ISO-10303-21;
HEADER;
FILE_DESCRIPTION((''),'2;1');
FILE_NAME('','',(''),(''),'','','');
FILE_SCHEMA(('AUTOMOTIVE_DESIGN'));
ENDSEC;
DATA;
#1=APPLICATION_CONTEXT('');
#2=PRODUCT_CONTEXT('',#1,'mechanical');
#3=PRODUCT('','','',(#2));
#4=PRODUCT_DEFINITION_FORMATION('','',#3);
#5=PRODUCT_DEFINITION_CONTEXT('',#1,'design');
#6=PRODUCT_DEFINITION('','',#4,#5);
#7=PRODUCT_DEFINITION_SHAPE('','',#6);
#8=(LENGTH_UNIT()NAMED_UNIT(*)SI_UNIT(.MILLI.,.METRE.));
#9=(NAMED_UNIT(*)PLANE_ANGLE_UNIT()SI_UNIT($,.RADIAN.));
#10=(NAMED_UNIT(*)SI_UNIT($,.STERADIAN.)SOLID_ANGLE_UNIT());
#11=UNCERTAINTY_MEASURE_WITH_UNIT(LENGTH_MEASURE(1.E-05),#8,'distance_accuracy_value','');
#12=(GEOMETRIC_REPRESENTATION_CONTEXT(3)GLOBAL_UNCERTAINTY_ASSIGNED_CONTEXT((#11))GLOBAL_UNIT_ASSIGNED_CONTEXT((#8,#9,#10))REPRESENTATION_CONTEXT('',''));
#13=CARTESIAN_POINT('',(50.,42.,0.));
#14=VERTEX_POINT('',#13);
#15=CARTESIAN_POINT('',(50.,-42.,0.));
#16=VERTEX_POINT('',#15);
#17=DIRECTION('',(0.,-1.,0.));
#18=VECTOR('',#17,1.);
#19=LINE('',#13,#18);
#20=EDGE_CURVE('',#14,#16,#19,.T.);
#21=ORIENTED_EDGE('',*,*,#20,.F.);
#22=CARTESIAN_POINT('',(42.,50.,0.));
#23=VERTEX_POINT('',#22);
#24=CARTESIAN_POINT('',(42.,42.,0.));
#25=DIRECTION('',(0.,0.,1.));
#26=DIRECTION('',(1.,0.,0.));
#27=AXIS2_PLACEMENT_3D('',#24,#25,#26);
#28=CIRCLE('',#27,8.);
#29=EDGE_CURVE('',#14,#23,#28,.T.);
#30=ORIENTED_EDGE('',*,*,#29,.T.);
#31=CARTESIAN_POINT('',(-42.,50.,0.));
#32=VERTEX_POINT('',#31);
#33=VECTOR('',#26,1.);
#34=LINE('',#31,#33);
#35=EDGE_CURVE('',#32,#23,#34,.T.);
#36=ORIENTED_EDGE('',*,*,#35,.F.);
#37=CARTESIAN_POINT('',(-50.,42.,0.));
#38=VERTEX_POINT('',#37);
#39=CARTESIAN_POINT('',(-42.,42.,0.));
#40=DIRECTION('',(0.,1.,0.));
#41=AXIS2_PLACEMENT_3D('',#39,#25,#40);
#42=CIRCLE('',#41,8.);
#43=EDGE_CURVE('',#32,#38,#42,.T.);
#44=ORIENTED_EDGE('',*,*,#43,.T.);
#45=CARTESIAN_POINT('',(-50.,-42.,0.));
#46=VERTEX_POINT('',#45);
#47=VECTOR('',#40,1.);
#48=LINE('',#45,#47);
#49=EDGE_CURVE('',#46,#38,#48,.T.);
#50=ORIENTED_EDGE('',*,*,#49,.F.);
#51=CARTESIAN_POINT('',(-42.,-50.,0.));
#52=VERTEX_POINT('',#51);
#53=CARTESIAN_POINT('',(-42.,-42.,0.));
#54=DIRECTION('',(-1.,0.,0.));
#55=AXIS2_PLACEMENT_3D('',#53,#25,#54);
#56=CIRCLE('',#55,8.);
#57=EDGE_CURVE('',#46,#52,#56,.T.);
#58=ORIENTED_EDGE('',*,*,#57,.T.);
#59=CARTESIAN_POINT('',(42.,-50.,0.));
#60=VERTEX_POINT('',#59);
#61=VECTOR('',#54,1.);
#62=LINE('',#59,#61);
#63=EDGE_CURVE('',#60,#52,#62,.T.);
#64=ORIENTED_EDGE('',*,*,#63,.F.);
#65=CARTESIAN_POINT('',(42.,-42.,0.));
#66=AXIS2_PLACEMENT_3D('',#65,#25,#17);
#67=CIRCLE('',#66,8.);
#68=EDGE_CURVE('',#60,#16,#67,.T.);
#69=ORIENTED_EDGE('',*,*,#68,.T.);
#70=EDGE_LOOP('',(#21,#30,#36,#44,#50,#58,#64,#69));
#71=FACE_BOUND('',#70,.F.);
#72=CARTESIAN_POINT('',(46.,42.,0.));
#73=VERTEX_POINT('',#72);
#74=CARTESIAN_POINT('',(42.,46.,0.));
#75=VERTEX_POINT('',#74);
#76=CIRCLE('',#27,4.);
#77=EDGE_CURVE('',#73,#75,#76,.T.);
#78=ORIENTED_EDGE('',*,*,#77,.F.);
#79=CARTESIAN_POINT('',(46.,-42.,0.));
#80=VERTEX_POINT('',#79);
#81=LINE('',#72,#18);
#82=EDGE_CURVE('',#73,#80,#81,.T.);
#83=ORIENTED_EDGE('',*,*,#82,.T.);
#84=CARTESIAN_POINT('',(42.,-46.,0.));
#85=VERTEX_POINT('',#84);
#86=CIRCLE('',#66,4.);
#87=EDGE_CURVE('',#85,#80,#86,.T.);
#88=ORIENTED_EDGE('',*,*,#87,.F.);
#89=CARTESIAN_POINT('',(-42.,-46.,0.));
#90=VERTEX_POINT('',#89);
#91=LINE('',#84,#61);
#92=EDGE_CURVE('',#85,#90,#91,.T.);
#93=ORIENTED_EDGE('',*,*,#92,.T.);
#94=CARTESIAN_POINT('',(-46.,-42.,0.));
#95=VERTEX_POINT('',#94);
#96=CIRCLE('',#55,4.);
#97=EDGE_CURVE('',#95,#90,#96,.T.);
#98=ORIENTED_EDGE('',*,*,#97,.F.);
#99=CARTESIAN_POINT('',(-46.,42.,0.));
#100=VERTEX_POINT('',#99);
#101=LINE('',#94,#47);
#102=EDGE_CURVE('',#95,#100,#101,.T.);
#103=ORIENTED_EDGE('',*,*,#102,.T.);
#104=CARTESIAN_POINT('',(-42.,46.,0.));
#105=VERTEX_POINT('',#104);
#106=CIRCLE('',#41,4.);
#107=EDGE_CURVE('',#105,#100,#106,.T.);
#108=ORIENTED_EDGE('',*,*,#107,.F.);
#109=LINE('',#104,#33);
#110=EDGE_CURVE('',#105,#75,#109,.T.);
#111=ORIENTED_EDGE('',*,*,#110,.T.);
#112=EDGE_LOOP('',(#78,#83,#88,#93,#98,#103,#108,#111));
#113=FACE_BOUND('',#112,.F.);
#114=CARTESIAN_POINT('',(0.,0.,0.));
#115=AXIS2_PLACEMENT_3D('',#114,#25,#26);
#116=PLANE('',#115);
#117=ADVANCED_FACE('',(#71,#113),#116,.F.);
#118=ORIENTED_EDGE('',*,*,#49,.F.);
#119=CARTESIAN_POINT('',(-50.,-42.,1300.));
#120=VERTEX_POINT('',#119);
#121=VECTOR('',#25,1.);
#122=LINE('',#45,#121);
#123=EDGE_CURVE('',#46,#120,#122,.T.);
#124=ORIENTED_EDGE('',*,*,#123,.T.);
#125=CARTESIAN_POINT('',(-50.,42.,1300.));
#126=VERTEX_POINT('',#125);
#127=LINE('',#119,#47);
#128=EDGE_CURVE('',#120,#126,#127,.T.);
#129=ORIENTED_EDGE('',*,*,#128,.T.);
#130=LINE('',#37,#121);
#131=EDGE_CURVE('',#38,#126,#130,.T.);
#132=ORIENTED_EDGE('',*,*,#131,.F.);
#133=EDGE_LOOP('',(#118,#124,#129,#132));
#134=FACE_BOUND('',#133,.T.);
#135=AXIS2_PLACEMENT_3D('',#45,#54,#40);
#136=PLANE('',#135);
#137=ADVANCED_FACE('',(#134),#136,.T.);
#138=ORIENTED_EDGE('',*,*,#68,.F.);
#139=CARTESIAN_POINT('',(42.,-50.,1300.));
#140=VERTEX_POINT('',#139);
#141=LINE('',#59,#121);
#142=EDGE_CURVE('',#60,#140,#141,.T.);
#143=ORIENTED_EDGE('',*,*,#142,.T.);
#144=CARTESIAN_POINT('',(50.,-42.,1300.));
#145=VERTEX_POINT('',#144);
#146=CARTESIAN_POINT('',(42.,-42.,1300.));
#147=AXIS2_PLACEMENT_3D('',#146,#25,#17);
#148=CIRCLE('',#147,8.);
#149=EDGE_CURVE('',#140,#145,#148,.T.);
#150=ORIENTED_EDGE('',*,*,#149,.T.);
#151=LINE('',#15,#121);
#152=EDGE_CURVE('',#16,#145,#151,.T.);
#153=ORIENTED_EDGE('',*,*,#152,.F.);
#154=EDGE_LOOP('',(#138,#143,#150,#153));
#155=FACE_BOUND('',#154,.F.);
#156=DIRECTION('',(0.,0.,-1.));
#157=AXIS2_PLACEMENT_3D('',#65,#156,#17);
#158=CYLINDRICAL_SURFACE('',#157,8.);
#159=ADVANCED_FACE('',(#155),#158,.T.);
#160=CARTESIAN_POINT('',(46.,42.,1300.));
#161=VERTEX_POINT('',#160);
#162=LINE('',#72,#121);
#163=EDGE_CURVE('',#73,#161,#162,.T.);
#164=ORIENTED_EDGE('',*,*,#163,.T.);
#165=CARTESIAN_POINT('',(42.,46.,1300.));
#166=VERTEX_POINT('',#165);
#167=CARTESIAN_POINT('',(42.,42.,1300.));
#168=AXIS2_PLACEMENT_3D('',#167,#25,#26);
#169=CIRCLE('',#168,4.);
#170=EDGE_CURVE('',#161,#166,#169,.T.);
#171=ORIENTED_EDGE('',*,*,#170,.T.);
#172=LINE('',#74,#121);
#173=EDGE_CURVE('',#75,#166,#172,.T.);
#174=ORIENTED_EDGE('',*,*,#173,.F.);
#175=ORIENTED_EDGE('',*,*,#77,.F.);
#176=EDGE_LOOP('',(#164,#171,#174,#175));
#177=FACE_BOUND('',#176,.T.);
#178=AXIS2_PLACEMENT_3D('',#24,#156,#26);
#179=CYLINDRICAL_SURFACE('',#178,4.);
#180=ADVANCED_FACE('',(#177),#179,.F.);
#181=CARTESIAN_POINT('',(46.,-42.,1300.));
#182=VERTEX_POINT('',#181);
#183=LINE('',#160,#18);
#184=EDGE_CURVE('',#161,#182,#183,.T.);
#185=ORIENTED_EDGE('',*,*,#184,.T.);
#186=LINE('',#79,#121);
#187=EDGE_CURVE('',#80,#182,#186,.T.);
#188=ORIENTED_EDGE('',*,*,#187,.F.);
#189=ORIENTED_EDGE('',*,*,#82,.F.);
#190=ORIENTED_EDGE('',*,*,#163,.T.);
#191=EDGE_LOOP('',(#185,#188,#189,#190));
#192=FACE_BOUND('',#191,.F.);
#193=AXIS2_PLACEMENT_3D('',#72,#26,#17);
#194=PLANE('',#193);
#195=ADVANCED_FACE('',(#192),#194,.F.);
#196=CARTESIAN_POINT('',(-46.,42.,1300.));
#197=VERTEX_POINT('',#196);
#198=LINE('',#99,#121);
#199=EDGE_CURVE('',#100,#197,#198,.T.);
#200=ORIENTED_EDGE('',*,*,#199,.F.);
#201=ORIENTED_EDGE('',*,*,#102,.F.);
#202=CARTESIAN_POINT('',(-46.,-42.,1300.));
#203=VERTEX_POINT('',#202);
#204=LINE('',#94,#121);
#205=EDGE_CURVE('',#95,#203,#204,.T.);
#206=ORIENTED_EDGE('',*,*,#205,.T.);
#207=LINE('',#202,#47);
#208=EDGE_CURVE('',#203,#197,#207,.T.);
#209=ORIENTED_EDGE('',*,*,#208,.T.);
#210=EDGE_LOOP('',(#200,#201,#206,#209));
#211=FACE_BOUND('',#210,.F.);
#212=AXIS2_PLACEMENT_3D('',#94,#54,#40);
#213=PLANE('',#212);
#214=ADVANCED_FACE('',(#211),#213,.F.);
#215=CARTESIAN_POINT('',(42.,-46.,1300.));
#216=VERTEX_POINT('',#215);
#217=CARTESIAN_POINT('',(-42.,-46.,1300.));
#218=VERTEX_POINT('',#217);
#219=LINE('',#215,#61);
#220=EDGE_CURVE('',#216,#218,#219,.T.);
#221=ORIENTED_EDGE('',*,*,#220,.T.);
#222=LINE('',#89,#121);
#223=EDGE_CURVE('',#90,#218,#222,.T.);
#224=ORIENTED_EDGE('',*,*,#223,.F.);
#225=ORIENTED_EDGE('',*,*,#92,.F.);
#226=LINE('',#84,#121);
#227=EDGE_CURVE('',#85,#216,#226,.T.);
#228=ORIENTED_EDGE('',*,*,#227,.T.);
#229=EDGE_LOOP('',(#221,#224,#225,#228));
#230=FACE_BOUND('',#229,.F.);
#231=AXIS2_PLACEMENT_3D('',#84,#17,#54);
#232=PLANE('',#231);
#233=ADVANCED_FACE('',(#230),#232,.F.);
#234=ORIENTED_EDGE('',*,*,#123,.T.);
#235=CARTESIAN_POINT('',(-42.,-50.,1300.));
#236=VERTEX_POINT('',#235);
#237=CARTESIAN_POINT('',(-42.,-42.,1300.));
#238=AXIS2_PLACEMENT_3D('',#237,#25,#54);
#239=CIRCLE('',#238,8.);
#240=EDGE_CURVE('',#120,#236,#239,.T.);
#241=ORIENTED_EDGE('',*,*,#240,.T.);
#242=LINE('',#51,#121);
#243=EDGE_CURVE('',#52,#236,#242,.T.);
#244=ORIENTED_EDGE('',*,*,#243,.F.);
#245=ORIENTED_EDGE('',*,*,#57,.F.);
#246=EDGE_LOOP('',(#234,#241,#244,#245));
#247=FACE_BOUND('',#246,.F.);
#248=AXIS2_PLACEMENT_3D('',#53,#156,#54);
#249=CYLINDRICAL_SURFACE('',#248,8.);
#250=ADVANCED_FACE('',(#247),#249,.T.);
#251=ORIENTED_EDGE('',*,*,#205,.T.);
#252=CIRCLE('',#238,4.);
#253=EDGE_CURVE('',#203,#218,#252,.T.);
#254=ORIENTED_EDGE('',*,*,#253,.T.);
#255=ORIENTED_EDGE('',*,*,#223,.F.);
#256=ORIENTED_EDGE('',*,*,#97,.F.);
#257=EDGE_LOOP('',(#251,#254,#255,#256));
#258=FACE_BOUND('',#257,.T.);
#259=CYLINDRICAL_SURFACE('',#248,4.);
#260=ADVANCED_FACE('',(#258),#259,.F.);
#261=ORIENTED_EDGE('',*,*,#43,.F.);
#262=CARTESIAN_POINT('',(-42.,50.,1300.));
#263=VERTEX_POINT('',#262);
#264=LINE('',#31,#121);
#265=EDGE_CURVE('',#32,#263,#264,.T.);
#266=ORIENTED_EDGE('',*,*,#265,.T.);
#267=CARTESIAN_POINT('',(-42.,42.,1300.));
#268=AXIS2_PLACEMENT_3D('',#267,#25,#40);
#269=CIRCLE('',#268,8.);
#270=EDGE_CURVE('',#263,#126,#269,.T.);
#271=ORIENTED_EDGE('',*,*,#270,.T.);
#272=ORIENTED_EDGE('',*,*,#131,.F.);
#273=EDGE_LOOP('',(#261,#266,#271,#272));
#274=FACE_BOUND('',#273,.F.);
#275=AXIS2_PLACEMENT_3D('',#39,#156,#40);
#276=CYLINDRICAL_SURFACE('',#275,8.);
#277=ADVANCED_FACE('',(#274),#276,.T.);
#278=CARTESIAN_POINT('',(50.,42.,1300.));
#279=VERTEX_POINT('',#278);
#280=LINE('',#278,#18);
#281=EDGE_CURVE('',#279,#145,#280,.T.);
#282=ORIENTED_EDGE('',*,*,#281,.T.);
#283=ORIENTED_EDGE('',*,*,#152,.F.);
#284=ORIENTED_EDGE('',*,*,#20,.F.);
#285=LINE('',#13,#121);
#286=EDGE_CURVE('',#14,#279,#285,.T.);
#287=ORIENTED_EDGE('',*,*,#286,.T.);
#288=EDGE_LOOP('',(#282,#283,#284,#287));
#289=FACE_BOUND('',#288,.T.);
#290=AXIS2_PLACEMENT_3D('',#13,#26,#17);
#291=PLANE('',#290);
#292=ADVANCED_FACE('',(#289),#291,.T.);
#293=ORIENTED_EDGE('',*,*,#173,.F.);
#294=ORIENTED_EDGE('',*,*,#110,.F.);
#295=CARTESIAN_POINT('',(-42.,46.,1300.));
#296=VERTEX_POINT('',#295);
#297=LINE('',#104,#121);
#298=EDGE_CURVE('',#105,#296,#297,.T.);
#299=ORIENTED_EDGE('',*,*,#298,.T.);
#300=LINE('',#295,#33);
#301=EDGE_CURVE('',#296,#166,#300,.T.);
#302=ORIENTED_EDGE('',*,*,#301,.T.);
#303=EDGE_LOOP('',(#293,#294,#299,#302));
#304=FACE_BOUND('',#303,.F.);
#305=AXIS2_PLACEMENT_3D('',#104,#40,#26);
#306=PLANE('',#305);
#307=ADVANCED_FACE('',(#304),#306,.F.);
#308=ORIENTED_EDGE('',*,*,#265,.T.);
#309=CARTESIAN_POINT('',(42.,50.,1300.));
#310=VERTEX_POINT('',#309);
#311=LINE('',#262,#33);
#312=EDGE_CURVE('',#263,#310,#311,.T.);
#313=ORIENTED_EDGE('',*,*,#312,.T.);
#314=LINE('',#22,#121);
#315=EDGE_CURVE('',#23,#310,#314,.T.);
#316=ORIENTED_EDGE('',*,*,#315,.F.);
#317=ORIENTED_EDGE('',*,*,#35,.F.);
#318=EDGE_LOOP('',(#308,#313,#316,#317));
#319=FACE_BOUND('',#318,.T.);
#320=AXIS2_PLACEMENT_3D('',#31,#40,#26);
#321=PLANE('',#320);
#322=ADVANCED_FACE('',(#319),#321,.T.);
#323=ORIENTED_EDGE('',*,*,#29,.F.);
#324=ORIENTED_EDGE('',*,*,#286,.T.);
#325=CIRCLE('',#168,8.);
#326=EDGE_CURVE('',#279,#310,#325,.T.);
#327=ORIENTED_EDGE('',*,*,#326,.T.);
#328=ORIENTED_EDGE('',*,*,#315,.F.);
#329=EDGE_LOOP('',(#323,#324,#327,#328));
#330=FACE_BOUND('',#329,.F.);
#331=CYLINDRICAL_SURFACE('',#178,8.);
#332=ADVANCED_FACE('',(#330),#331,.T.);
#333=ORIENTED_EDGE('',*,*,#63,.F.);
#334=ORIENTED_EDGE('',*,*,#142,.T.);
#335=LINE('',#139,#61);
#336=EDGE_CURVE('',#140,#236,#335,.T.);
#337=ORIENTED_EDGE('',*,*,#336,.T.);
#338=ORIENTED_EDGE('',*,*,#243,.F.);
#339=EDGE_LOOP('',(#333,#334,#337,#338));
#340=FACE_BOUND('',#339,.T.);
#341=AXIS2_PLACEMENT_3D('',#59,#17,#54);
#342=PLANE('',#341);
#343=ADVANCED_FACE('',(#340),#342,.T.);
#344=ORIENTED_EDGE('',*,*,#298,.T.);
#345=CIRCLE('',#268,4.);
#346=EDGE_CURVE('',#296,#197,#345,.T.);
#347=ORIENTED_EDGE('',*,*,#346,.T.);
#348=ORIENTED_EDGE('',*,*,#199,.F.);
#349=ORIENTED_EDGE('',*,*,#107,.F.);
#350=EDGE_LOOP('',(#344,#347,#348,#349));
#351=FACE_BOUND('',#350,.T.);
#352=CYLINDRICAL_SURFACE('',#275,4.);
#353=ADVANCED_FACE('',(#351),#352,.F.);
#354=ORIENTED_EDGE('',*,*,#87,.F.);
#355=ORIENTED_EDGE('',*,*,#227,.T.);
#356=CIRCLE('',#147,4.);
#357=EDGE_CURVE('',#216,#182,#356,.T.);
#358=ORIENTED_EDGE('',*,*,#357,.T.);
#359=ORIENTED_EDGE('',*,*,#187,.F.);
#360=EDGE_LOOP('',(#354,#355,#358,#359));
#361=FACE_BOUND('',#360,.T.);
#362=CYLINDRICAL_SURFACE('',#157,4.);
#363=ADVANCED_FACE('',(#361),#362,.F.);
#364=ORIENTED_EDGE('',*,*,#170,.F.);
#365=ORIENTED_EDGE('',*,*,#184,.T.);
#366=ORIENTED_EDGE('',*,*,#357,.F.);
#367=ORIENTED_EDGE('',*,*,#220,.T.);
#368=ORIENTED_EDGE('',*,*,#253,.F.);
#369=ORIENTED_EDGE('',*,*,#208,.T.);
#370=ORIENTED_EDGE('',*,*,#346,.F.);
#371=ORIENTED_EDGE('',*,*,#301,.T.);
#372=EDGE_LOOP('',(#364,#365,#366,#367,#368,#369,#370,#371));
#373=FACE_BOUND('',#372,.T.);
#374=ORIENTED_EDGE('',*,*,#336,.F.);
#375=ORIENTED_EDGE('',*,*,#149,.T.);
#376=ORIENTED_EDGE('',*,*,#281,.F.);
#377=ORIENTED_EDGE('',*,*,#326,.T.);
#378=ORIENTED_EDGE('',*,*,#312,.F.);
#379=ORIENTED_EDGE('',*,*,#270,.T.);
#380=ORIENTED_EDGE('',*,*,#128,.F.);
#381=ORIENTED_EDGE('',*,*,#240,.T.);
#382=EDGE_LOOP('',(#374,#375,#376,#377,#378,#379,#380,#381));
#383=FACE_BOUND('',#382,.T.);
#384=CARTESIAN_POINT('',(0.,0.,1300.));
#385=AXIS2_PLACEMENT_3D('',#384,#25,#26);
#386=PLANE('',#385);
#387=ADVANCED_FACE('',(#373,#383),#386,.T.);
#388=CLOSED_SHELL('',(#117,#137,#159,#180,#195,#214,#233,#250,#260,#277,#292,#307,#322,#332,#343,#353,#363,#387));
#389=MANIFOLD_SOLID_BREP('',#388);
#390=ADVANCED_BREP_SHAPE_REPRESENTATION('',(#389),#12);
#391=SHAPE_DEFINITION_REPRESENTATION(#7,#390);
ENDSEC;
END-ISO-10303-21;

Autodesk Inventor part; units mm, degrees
ref_plane "YZ Plane" through (0, 0, 0) normal (1, 0, 0) x (0, 1, 0)
ref_plane "Start Plane" through (0, 0, 0) normal (0, 0, 1) x (1, 0, 0)
ref_plane "End Plane" through (0, 0, 1300) normal (0, 0, 1) x (1, 0, 0)
sketch "Sketch" plane through (0, 0, 0) normal (0, 0, 1) x (1, 0, 0)
  line L0 (-50, -42) -> (-50, 42)
  line L1 (-42, 50) -> (42, 50)
  line L2 (50, 42) -> (50, -42)
  line L3 (42, -50) -> (-42, -50)
  arc A0 (-50, -42) -> (-42, -50) centre (-42, -42) ccw
  arc A1 (50, 42) -> (42, 50) centre (42, 42) ccw
  arc A2 (-42, 50) -> (-50, 42) centre (-42, 42) ccw
  arc A3 (42, -50) -> (50, -42) centre (42, -42) ccw
  arc A4 (-42, 46) -> (-46, 42) centre (-42, 42) ccw
  line L4 (-42, 46) -> (42, 46)
  arc A5 (46, 42) -> (42, 46) centre (42, 42) ccw
  line L5 (46, 42) -> (46, -42)
  arc A6 (42, -46) -> (46, -42) centre (42, -42) ccw
  line L6 (42, -46) -> (-42, -46)
  arc A7 (-46, -42) -> (-42, -46) centre (-42, -42) ccw
  line L7 (-46, -42) -> (-46, 42)
  line L8 (0, 72.3196) -> (0, -72.3196) construction
  line L9 (-72.3196, 0) -> (72.3196, 0) construction
  dimension "d7" = 8
  dimension "d9" = 100
  dimension "d11" = 100
  dimension "d12" = 4
  dimension "d15" = 50
  dimension "d16" = 50
extrude "Body" add sketch "Sketch" along normal up to surface (1300 mm away) from surface at 0
sketch "Sketch3" plane through (0, 0, 0) normal (0, 0, 1) x (1, 0, 0)
  line L0 (0, 0) -> (10, 0)
ref_plane "Work Plane3" through (0, 0, 0) normal (0, -1, 0) x (1, 0, 0)
sketch "Sketch4" plane through (0, 0, 0) normal (0, -1, 0) x (1, 0, 0)
  line L0 (-2, 0) -> (12, 0) projected
  line L1 (-2, 1300) -> (12, 1300) projected
  dimension "d18" = 1300
equation "\"d7\" = G_IR"
equation "\"d9\" = G_W"
equation "\"d11\" = G_H"
equation "\"d12\" = G_T"
equation "\"d15\" = 0.5 * d9"
equation "\"d16\" = 0.5 * d11"
equation "\"d3\" = G_L"
equation "\"G_W\" = 100"
equation "\"G_H\" = 100"
equation "\"G_T\" = 4"
equation "\"G_IR\" = 8"
equation "\"G_L\" = d18"
equation "\"G_OFFSET_START\" = 0"
equation "\"G_OFFSET_END\" = 0"
properties part number "ISO 10799-2 - 100x100x4 - 1300" material "Steel, Mild"
